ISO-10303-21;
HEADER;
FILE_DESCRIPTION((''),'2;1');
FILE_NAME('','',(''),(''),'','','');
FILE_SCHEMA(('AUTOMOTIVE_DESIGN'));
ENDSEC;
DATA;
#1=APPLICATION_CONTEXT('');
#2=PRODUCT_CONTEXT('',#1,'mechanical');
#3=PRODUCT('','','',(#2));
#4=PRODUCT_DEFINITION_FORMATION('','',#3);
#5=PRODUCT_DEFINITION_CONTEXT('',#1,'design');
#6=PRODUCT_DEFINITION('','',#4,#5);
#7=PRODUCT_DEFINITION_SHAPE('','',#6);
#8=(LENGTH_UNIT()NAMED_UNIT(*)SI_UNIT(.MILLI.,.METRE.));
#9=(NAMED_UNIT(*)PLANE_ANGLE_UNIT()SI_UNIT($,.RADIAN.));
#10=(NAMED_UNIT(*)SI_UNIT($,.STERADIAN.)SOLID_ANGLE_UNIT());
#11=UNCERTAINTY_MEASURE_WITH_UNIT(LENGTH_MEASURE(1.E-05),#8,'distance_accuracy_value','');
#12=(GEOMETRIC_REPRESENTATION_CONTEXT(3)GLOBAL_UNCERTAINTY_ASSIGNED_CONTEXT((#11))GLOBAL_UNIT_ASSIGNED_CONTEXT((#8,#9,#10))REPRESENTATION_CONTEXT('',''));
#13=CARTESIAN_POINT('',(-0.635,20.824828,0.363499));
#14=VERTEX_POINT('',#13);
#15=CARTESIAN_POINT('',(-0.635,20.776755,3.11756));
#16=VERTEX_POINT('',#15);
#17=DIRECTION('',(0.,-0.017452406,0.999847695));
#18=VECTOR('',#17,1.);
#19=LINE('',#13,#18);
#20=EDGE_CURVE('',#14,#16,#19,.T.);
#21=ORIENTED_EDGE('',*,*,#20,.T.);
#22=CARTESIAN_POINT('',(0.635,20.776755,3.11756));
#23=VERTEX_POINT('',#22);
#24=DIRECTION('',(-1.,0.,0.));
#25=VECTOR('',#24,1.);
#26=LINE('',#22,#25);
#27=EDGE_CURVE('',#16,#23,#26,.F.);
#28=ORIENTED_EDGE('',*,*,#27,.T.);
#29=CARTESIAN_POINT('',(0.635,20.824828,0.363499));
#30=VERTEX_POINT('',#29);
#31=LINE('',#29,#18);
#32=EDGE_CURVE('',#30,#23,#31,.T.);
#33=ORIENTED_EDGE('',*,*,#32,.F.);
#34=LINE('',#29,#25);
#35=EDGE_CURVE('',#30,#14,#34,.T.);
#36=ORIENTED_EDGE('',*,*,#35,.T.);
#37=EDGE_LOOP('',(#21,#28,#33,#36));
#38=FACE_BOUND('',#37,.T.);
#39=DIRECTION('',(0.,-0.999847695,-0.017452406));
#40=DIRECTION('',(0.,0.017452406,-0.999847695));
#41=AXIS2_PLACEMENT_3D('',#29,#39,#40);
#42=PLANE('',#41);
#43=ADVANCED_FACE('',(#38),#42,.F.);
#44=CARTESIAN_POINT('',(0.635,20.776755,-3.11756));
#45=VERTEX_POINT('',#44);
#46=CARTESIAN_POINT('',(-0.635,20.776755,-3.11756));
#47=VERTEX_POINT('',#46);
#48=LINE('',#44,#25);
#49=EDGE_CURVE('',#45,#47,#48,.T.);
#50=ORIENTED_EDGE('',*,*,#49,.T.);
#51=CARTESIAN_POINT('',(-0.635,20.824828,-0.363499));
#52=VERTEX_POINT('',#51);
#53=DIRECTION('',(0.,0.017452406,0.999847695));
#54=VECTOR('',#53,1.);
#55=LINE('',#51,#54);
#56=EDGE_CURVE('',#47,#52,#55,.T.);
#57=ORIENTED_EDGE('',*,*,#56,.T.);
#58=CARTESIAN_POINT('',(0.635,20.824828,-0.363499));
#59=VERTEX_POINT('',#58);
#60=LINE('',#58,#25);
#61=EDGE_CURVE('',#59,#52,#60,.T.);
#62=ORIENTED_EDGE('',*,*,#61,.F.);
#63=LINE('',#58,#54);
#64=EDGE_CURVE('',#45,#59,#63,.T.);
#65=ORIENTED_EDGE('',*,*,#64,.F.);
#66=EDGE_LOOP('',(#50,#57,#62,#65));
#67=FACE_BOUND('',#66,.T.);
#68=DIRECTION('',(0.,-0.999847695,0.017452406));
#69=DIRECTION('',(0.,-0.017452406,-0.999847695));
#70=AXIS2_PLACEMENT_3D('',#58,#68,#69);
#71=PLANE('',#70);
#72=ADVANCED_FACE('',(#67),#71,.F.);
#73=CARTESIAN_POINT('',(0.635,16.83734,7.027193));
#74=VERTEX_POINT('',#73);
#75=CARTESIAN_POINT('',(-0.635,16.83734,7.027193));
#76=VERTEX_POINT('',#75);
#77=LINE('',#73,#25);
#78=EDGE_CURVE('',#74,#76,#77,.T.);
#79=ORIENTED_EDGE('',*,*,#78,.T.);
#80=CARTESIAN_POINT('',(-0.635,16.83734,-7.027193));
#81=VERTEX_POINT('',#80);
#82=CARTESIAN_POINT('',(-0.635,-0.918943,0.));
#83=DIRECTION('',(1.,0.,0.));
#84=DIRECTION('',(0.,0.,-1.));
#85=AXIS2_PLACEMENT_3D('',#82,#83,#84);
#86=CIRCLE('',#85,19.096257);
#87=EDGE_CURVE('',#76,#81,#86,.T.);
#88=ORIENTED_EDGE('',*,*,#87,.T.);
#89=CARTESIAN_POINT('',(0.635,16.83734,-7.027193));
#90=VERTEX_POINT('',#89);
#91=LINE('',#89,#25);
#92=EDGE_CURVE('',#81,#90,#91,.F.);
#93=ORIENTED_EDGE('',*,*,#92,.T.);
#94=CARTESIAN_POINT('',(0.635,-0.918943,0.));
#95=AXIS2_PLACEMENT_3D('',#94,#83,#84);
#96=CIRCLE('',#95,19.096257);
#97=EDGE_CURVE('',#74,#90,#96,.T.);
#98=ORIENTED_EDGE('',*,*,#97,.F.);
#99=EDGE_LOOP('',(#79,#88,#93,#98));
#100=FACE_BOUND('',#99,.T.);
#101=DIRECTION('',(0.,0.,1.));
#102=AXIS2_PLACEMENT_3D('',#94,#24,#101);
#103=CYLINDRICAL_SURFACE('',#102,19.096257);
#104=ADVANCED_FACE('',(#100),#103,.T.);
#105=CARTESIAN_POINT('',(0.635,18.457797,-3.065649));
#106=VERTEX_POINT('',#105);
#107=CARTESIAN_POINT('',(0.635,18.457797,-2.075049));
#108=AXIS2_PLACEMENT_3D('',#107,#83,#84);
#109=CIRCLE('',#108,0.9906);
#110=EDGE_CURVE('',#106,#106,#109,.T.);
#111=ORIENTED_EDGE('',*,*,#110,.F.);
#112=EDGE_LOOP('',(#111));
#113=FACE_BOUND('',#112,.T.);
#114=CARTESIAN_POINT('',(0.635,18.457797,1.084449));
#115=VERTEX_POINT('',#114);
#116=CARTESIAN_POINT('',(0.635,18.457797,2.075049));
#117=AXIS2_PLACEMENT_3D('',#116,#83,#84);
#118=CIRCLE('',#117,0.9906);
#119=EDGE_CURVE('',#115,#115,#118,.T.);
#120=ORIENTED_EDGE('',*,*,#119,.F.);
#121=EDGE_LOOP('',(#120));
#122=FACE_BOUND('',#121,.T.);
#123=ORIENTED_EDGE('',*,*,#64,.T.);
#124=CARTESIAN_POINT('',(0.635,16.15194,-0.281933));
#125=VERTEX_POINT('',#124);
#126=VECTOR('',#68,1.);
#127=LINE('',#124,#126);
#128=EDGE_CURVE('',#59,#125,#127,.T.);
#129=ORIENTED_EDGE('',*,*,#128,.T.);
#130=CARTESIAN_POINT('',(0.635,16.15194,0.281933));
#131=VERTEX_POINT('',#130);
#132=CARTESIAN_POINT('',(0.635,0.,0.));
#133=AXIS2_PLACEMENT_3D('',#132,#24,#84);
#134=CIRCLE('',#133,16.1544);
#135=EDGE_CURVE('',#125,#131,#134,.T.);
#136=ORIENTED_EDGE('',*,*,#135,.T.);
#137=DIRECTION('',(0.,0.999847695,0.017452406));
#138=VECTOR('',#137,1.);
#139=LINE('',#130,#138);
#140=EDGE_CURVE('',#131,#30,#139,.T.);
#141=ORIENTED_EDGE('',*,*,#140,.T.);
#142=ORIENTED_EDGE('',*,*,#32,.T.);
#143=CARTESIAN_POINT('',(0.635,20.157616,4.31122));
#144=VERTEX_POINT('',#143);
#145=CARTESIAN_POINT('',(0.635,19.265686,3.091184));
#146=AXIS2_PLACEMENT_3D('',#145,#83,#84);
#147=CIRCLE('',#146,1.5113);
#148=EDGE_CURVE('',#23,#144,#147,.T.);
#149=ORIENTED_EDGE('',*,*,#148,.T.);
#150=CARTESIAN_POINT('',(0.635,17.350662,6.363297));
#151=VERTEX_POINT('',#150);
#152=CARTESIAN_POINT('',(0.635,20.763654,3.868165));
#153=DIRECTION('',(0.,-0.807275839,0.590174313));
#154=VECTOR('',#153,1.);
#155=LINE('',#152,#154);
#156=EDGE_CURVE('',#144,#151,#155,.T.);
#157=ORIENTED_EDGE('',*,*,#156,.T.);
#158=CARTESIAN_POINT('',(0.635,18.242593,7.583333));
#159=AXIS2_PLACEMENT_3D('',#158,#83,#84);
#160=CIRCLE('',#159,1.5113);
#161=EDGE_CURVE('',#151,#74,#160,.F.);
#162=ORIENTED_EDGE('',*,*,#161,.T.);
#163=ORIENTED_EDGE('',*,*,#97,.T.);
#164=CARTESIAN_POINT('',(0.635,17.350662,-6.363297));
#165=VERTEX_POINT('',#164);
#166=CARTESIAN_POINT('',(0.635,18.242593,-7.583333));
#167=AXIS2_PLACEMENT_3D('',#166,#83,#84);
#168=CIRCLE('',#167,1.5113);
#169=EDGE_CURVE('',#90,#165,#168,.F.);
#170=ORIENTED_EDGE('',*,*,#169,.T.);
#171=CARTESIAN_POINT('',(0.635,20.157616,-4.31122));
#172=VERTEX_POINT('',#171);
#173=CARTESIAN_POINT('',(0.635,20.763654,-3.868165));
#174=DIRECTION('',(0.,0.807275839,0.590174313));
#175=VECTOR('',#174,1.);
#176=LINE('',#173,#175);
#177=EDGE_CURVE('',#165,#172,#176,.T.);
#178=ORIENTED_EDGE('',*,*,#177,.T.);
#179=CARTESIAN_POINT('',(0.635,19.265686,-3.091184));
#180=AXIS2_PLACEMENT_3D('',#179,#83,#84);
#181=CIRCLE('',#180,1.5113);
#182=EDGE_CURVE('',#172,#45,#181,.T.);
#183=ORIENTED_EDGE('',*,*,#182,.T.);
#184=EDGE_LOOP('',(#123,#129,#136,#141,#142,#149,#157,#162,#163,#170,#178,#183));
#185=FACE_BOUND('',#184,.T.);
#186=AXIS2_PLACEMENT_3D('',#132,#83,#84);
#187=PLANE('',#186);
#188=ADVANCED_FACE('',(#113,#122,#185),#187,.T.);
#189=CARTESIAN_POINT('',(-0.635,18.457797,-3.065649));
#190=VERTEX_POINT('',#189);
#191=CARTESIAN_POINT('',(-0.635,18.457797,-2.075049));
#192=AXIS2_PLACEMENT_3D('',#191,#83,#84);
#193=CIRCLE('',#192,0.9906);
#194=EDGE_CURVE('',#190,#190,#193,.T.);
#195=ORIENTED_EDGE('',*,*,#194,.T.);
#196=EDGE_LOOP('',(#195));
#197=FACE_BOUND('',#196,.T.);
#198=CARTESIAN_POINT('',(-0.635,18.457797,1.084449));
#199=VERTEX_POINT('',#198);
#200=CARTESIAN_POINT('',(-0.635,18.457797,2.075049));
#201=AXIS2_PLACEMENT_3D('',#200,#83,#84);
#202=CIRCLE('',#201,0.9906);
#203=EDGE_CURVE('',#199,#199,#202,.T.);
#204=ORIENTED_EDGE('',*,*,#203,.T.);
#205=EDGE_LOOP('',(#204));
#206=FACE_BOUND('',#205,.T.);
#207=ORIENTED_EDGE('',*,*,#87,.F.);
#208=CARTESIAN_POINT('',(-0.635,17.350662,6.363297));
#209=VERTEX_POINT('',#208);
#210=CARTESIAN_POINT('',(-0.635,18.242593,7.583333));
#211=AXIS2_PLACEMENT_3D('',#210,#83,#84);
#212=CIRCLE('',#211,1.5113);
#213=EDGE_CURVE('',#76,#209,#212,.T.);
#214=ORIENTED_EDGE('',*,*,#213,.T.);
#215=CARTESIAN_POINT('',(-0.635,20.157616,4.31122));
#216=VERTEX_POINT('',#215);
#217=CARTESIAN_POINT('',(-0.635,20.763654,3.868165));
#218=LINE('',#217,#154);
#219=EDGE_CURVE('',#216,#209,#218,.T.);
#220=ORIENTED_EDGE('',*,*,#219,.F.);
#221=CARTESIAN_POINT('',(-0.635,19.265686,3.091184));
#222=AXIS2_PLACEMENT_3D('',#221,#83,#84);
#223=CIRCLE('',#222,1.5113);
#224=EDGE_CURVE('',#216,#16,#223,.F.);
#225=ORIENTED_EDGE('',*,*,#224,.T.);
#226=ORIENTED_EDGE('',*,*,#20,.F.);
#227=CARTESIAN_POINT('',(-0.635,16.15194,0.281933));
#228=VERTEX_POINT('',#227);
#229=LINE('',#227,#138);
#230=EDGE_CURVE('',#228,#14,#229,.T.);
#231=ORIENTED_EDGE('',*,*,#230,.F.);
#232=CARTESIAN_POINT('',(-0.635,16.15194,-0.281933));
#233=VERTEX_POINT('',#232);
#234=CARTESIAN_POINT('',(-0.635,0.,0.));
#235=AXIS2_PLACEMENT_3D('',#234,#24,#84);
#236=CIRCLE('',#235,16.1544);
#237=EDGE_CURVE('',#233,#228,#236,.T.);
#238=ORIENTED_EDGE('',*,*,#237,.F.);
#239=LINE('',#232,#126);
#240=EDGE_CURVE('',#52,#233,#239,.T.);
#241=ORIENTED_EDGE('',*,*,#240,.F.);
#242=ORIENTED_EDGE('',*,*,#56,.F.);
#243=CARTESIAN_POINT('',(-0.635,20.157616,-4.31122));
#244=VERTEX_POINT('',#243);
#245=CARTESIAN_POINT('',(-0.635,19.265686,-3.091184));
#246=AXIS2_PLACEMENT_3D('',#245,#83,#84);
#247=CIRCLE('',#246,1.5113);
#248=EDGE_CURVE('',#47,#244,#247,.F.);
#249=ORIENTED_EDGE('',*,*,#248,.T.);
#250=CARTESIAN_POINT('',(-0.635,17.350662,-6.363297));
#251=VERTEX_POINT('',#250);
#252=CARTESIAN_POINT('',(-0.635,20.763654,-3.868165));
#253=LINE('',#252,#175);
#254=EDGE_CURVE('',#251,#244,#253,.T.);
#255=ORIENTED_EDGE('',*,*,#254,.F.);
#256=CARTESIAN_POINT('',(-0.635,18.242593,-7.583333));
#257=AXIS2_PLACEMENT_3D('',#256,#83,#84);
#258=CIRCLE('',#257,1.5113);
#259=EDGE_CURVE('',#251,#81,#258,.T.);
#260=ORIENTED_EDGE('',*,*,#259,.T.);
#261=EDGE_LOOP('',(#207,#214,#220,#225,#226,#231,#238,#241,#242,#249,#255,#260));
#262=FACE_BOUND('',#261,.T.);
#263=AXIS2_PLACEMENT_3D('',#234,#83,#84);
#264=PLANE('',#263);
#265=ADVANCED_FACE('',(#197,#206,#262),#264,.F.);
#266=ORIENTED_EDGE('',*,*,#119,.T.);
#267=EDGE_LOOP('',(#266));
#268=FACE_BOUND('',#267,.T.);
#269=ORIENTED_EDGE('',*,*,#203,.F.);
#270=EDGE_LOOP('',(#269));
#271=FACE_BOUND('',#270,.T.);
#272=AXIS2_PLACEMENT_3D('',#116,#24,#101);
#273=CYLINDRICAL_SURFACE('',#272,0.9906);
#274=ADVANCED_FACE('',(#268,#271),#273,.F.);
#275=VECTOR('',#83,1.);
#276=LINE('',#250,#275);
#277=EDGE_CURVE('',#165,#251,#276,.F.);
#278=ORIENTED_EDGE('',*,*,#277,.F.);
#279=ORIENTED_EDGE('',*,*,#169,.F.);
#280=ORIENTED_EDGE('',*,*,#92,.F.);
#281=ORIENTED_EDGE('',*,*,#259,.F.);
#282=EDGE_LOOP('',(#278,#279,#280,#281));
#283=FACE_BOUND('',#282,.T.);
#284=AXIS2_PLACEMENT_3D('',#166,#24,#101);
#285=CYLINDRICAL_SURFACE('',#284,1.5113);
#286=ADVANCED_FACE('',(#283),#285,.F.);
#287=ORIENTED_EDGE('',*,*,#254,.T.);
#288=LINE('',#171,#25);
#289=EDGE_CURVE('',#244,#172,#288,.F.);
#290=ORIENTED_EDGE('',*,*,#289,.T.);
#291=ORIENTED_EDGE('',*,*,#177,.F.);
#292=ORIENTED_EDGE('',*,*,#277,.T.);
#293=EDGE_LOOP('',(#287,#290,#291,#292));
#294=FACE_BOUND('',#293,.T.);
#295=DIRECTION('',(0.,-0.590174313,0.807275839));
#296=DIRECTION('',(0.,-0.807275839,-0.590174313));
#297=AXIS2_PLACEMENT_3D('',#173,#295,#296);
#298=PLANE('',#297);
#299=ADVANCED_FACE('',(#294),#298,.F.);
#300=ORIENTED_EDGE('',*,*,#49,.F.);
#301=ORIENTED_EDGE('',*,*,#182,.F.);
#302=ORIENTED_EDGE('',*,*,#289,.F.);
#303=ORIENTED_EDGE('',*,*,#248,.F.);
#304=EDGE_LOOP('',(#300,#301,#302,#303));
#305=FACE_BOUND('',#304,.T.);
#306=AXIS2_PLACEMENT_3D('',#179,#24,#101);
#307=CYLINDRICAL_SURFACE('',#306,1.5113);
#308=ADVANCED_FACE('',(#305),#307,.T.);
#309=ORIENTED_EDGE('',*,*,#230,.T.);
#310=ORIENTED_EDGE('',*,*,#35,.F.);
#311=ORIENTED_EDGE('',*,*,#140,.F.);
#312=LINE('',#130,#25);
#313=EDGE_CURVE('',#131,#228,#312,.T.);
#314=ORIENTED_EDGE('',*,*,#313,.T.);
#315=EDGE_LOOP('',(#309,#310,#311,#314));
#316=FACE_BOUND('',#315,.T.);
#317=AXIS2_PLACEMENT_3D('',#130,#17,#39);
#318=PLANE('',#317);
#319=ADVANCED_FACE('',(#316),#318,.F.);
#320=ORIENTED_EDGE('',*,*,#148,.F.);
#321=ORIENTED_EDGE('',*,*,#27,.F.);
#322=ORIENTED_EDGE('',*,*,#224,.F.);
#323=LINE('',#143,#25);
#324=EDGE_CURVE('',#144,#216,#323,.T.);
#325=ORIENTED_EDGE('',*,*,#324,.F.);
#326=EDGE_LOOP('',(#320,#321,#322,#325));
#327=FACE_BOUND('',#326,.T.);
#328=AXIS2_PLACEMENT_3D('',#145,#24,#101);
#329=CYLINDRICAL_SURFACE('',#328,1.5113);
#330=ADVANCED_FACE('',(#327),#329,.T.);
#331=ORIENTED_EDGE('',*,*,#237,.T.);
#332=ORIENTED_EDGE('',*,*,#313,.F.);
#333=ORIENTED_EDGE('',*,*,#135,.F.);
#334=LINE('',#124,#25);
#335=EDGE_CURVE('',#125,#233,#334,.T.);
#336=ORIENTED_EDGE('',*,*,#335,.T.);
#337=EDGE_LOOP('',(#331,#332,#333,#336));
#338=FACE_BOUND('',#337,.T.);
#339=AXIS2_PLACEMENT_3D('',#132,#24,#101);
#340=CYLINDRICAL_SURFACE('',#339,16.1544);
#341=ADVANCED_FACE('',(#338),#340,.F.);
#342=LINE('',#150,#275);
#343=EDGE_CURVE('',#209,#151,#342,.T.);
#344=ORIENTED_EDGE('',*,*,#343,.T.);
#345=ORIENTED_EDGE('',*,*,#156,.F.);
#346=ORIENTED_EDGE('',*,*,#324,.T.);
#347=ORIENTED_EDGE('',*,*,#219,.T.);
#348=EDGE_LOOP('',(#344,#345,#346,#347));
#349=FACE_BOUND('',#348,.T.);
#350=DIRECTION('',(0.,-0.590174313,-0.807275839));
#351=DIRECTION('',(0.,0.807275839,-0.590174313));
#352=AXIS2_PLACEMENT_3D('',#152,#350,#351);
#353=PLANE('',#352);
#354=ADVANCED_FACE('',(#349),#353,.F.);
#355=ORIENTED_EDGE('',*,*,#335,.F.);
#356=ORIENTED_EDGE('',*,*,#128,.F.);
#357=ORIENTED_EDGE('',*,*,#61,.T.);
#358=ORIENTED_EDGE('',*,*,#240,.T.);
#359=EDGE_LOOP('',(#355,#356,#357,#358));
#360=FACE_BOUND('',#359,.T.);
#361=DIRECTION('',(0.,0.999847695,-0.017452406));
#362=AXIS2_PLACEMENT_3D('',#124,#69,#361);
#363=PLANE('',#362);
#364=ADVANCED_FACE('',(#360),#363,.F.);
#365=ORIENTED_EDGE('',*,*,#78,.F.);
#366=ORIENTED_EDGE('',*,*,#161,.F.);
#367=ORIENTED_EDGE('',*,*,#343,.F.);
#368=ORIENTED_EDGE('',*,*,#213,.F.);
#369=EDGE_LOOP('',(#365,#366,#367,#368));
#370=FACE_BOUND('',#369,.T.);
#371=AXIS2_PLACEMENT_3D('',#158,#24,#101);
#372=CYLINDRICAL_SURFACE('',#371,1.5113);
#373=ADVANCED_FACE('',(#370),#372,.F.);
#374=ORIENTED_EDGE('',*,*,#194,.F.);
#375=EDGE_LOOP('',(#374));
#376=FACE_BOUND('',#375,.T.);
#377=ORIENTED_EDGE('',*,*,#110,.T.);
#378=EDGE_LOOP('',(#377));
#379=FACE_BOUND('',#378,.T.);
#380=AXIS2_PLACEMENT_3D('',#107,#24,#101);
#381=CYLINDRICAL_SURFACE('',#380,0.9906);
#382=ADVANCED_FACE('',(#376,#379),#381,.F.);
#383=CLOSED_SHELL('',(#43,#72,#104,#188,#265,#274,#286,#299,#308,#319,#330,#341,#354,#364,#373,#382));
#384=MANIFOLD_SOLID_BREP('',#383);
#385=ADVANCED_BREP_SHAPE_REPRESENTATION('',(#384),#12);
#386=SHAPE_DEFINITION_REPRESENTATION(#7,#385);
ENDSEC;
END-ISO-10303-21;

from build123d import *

# Parameters (mm, degrees)
SKETCH1_R      = 0.9906
EXTRUDE1_DEPTH = 0.635
FILLET1_R      = 1.5113


with BuildPart() as part:
    # Sketch1 → Extrude1 (new body, symmetric)
    with BuildSketch(Plane(origin=(0, 0, 0), x_dir=(0, 0, -1), z_dir=(1, 0, 0))):
        with BuildLine():
            Line((-0.281933155, 16.151939607), (-0.363498721, 20.824827795))
            Line((-0.363498721, 20.824827795), (-3.868164862, 20.76365362))
            Line((-3.868164862, 20.76365362), (-6.626403534, 16.99076926))
            ThreePointArc((-6.626403534, 16.99076926), (0, -20.0152), (6.626403534, 16.99076926))
            Line((6.626403534, 16.99076926), (3.868164862, 20.76365362))
            Line((3.868164862, 20.76365362), (0.363498721, 20.824827795))
            Line((0.363498721, 20.824827795), (0.281933155, 16.151939607))
            ThreePointArc((0.281933155, 16.151939607), (0, -16.1544), (-0.281933155, 16.151939607))
        make_face()
        with Locations((-2.075049008, 18.457796613)):
            Circle(SKETCH1_R, mode=Mode.SUBTRACT)
        with Locations((2.075049008, 18.457796613)):
            Circle(SKETCH1_R, mode=Mode.SUBTRACT)
    extrude(amount=EXTRUDE1_DEPTH, both=True)

    # Fillet1
    fillet1_edges = [part.edges().sort_by_distance(p)[0] for p in [
        (0, 20.76365362, -3.868164862),
        (0, 16.99076926, -6.626403534),
        (0, 16.99076926, 6.626403534),
        (0, 20.76365362, 3.868164862),
    ]]
    fillet(fillet1_edges, radius=FILLET1_R)


solid = part.part
